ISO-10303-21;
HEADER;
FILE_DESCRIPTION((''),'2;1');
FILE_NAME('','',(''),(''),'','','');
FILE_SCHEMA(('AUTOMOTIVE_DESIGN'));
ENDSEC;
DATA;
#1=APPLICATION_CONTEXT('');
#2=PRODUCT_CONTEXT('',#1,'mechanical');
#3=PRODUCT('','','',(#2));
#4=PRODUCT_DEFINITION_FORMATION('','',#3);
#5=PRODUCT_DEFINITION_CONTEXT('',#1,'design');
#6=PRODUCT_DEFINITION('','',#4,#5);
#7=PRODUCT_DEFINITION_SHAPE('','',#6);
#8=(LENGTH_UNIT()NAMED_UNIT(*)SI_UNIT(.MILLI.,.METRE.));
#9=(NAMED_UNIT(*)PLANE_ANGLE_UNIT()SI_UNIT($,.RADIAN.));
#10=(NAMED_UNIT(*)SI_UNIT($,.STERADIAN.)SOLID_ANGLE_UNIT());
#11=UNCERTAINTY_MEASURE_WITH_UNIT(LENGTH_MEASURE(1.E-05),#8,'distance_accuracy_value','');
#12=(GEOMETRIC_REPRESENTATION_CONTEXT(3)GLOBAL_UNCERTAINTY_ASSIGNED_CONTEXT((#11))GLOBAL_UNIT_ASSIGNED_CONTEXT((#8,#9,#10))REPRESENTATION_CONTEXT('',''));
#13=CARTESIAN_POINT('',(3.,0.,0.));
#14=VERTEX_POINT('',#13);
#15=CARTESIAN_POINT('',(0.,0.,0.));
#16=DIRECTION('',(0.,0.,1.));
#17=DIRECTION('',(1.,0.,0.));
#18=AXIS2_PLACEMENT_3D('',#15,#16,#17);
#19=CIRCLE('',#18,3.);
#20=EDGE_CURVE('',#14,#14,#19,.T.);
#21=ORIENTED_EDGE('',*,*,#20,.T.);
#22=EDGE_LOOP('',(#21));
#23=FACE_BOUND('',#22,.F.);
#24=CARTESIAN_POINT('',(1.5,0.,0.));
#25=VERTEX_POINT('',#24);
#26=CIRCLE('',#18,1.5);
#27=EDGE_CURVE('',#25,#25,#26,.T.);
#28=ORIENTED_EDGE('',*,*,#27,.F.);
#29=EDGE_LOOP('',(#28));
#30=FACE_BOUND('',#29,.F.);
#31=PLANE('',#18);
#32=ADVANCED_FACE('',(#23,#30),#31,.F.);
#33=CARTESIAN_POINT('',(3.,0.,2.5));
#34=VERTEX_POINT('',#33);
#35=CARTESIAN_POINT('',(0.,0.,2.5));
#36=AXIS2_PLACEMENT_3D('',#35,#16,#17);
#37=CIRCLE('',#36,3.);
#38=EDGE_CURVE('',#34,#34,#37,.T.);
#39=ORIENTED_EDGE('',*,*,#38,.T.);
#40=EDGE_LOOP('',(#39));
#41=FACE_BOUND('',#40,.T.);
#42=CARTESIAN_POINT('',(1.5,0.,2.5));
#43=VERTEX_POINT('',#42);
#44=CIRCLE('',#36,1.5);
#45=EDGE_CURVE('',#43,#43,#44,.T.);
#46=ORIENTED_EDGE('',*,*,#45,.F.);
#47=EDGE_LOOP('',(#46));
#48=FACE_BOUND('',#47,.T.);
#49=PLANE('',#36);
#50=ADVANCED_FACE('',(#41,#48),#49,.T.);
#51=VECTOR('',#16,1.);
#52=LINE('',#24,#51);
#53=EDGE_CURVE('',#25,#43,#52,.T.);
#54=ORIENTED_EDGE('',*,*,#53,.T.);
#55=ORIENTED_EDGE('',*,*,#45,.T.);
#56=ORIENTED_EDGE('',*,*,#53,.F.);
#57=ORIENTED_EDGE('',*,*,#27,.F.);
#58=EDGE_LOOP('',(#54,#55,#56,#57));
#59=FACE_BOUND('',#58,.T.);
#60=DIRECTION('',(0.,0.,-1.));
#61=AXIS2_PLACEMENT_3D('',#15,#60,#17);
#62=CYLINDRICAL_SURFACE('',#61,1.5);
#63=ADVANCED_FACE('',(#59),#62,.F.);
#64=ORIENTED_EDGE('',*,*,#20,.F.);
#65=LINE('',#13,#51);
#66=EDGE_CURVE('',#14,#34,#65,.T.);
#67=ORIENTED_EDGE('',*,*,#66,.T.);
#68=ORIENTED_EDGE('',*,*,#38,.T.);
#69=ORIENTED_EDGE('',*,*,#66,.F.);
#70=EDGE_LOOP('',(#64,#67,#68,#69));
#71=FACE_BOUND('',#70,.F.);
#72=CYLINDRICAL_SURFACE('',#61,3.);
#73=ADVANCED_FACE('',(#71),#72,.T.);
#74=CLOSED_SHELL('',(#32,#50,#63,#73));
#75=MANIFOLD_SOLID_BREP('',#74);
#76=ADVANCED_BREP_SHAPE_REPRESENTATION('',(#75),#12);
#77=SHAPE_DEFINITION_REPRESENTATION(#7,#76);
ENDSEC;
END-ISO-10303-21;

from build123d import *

# Parameters (mm, degrees)
SKETCH1_R      = 3
SKETCH1_R_2    = 1.5
EXTRUDE1_DEPTH = 2.5


with BuildPart() as part:
    # Sketch1 → Extrude1 (new body)
    with BuildSketch(Plane.XY):
        Circle(SKETCH1_R)
        Circle(SKETCH1_R_2, mode=Mode.SUBTRACT)
    extrude(amount=EXTRUDE1_DEPTH)


solid = part.part
